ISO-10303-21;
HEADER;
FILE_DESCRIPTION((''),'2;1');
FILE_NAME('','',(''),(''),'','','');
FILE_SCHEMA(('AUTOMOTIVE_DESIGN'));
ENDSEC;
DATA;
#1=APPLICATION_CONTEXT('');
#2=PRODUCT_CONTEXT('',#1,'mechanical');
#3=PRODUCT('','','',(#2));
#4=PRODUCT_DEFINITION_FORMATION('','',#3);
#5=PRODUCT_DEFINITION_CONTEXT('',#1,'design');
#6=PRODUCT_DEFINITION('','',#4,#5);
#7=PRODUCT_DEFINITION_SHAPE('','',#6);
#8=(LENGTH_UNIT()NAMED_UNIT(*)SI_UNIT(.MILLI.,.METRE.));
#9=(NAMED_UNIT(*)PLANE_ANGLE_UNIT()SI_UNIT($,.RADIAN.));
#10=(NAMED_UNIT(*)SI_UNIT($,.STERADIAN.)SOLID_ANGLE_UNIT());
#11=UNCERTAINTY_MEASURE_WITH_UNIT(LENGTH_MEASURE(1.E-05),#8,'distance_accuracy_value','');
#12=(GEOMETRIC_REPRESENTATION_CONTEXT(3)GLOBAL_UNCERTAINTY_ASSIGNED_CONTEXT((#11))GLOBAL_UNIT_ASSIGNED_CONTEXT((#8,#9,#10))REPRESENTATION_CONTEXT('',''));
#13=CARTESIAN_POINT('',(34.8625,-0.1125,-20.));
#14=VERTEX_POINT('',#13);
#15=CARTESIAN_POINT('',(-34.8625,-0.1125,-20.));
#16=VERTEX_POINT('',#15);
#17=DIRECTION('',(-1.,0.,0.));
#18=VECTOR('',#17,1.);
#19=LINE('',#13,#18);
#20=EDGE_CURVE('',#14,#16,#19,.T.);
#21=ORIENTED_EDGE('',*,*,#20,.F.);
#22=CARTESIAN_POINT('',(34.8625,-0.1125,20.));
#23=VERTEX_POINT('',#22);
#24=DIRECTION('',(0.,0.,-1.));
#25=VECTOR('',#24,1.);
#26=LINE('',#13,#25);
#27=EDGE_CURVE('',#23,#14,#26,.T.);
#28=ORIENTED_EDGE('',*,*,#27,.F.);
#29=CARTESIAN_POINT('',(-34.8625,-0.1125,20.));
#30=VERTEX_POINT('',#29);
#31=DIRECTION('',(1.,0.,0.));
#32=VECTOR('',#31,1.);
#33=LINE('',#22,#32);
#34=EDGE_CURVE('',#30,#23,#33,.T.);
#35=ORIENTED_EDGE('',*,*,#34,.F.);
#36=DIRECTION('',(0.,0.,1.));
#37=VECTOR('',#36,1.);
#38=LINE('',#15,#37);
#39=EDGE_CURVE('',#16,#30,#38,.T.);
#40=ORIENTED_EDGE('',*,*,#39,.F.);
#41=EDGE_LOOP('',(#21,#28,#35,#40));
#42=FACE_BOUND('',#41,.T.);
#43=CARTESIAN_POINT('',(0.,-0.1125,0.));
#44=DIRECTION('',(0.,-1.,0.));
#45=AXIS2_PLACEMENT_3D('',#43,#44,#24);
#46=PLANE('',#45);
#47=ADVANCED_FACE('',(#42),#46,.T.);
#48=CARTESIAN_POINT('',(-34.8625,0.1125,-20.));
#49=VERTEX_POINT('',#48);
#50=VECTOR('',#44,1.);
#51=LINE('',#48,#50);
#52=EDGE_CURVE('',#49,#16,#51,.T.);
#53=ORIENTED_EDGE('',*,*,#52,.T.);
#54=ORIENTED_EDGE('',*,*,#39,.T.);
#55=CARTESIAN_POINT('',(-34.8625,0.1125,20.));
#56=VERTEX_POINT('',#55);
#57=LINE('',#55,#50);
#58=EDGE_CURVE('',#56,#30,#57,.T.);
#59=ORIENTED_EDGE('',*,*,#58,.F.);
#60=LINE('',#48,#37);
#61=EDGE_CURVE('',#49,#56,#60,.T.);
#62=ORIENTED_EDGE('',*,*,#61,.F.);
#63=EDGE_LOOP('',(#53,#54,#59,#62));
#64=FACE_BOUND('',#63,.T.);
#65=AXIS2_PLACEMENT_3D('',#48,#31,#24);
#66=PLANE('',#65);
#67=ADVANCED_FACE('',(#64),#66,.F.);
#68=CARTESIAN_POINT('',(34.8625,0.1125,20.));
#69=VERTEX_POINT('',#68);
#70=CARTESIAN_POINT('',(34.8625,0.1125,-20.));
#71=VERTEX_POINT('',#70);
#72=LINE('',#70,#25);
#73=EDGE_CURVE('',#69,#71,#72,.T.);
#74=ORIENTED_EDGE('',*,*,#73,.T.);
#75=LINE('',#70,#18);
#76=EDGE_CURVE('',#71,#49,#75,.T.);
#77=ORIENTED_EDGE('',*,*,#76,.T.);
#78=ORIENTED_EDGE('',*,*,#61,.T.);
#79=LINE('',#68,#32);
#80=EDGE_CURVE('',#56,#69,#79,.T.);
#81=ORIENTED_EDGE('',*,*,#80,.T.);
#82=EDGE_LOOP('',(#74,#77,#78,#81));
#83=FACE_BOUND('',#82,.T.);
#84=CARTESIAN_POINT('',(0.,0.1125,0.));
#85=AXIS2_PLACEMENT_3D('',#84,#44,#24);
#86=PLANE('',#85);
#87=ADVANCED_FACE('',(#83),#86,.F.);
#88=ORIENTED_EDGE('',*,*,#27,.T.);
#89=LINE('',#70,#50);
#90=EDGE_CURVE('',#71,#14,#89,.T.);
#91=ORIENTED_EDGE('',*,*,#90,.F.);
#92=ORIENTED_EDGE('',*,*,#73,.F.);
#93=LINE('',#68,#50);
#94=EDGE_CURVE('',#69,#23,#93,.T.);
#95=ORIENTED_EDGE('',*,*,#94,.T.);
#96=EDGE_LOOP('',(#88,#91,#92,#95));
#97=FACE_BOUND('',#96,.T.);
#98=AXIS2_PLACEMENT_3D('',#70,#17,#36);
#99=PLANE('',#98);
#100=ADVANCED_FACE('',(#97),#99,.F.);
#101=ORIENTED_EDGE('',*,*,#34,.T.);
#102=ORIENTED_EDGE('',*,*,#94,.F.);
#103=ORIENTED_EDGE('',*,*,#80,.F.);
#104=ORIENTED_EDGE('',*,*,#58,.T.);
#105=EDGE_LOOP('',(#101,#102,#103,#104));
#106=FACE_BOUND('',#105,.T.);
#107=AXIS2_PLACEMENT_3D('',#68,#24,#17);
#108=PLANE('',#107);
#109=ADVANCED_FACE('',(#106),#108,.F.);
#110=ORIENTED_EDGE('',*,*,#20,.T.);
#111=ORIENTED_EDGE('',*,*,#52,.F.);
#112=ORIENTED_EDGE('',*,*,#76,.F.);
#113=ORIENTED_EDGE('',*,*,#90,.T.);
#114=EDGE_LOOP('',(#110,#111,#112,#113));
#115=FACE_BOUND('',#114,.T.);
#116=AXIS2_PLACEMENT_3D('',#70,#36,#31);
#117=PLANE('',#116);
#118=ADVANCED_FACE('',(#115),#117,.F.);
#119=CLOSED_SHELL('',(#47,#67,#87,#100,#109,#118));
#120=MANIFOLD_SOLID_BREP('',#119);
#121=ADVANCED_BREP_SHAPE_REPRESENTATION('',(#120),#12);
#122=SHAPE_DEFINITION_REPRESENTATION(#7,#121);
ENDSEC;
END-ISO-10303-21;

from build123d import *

# Parameters (mm, degrees)
SKETCH1_W           = 69.725
SKETCH1_H           = 40
BOSS_EXTRUDE1_DEPTH = 0.1125


with BuildPart() as part:
    # Sketch1 → Boss-Extrude1 (new body, symmetric)
    with BuildSketch(Plane(origin=(0, 0, 0), x_dir=(1, 0, 0), z_dir=(0, 1, 0))):
        Rectangle(SKETCH1_W, SKETCH1_H)
    extrude(amount=BOSS_EXTRUDE1_DEPTH, both=True)


solid = part.part
